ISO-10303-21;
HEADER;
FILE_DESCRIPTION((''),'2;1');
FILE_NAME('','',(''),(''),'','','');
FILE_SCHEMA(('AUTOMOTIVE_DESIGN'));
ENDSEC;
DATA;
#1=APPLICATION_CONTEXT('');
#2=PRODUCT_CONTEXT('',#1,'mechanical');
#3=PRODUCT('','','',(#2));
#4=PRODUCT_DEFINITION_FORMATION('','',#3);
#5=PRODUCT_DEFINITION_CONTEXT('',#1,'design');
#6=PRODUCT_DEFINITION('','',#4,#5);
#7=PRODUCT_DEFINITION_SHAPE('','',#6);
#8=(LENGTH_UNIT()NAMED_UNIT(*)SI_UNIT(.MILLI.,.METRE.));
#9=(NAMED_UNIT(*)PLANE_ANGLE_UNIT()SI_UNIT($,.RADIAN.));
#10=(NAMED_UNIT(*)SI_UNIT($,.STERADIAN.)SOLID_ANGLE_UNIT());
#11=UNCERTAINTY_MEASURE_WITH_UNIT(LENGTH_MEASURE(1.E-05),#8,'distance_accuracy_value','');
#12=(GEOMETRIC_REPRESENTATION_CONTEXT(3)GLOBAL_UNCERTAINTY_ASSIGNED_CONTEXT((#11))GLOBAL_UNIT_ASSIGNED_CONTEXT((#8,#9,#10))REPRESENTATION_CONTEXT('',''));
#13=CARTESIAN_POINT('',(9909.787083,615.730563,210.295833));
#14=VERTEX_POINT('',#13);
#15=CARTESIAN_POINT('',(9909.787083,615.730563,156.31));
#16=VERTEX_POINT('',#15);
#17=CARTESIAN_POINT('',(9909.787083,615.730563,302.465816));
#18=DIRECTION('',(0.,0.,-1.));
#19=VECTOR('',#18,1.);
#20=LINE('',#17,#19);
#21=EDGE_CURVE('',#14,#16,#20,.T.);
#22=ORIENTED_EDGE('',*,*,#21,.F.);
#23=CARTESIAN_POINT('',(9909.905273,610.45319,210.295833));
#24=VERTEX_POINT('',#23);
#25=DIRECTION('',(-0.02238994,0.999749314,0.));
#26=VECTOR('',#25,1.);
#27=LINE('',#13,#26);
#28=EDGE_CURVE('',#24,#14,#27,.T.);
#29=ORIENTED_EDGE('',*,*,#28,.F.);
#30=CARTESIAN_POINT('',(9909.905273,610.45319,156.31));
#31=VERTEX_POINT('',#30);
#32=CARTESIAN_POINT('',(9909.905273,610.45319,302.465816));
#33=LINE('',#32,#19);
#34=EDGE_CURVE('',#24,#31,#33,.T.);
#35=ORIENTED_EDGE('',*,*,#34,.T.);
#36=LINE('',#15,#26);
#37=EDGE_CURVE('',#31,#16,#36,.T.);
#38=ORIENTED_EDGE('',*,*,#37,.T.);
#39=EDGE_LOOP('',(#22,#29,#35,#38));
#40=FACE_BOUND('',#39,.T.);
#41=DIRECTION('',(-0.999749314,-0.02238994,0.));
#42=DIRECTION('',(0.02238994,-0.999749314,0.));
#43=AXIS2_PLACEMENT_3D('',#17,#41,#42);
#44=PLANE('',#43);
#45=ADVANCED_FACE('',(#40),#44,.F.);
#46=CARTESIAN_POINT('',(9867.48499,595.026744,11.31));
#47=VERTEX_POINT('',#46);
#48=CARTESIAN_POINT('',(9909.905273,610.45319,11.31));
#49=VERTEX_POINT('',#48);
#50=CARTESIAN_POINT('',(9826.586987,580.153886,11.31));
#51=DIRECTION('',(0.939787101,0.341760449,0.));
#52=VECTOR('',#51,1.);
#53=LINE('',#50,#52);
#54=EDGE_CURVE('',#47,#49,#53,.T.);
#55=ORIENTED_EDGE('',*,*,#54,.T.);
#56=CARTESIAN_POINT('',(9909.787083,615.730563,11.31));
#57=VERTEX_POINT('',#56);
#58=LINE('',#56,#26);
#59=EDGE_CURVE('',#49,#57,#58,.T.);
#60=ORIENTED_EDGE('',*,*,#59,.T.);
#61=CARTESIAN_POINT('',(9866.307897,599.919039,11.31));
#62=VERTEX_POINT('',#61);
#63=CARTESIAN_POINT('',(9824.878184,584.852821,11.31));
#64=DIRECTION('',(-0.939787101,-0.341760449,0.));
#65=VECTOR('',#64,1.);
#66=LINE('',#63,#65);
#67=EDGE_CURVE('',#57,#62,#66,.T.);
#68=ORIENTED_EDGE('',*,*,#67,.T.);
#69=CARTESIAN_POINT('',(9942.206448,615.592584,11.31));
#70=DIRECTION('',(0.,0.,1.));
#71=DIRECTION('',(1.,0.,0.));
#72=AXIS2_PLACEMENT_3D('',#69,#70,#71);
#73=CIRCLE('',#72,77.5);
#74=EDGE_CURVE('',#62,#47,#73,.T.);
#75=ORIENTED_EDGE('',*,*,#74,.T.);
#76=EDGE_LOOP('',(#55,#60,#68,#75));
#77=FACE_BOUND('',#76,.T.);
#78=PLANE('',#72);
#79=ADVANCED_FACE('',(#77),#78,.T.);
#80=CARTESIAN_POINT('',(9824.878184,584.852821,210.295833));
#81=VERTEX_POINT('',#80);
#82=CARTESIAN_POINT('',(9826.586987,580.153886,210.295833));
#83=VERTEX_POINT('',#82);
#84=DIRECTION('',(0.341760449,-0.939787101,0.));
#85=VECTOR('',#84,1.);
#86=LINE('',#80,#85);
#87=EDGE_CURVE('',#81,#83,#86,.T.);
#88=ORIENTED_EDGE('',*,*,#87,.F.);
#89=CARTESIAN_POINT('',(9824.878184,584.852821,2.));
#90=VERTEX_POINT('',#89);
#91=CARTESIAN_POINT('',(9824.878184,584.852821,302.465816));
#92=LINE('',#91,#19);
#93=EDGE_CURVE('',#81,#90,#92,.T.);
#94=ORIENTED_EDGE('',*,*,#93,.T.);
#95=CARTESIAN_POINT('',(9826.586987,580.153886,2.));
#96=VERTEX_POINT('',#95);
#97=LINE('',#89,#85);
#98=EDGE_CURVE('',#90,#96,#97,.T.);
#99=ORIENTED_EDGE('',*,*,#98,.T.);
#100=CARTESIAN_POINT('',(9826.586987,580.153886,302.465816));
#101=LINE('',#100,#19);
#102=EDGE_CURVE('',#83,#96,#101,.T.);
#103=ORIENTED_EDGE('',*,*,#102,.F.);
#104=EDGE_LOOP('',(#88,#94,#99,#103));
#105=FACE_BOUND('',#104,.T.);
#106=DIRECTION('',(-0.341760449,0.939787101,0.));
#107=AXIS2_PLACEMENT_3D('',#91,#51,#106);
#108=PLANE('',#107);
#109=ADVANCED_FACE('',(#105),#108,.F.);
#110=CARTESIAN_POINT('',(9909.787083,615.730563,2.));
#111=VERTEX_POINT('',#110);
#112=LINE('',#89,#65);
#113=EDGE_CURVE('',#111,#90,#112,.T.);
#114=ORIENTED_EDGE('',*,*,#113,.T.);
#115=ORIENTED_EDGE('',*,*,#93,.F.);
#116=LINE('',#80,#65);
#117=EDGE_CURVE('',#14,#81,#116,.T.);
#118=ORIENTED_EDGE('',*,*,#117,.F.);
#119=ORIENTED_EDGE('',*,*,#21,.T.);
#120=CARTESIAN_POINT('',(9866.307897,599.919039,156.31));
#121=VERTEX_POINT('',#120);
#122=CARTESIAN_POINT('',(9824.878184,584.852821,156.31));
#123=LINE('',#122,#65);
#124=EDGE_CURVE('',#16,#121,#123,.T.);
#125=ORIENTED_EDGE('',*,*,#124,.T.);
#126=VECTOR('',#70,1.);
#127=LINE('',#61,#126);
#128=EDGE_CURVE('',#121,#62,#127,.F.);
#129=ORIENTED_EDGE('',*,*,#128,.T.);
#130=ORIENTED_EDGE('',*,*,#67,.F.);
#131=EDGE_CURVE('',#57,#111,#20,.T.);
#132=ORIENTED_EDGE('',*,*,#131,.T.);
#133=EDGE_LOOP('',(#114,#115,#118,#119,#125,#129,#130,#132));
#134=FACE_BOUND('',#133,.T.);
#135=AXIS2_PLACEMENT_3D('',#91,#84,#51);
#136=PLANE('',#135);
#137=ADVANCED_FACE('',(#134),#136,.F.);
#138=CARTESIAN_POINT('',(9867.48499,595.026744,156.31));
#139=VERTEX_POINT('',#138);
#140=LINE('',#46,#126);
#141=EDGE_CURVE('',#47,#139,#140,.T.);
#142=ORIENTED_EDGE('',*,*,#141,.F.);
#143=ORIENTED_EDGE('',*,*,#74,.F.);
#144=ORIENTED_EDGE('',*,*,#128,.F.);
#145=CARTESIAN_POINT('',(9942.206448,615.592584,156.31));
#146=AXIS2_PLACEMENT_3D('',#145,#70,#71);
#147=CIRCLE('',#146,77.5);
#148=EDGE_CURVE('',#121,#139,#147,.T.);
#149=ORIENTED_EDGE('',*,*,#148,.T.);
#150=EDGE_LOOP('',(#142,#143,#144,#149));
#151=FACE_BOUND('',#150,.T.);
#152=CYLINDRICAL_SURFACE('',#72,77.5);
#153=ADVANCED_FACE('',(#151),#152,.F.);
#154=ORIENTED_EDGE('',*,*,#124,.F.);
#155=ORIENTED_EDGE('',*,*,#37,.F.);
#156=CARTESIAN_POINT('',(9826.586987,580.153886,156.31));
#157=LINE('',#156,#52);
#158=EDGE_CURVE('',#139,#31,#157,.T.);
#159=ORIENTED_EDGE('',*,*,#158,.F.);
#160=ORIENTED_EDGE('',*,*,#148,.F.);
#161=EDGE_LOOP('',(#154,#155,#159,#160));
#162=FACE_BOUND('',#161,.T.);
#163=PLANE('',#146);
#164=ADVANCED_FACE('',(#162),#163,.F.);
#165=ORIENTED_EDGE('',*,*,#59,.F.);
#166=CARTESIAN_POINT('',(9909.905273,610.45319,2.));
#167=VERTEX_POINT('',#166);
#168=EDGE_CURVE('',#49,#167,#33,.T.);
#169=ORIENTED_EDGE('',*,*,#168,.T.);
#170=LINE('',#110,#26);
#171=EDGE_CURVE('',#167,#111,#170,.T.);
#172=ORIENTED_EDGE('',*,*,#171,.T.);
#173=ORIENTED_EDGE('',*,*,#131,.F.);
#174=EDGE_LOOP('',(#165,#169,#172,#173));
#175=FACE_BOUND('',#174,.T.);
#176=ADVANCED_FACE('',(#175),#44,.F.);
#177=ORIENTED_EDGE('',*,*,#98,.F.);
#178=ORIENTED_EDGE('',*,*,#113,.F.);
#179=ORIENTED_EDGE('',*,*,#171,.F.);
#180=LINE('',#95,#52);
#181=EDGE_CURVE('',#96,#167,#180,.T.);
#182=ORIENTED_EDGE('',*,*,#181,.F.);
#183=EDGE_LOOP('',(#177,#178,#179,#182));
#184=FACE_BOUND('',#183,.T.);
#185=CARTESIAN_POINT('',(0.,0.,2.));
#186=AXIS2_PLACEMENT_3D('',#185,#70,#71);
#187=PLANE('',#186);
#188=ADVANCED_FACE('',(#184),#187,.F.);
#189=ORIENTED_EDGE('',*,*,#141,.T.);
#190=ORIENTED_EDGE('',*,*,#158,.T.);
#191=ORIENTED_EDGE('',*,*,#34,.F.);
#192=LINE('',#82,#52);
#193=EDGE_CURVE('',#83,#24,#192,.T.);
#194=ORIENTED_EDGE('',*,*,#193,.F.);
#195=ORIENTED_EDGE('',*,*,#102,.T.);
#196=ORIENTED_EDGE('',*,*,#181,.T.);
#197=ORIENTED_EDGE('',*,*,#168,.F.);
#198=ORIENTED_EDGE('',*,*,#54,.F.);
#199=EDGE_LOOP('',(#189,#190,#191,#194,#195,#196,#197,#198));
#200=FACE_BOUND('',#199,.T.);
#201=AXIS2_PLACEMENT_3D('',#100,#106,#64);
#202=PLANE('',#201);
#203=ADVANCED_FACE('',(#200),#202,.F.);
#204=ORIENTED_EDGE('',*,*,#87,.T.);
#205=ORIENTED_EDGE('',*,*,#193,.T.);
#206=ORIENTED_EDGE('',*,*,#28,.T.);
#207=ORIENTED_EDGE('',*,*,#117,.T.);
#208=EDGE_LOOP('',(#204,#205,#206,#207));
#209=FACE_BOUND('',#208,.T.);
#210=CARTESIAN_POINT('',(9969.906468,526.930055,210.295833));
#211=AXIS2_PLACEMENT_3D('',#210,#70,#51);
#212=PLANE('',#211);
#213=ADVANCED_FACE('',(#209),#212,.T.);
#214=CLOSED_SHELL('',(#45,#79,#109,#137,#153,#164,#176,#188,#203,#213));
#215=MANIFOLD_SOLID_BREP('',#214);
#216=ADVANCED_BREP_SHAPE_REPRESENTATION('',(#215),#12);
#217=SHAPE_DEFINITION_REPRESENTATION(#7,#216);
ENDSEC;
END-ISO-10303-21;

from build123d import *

# Parameters (mm, degrees)
BOSS_EXTRUDE1_DEPTH = 208.295833
SKETCH3_R           = 77.5
CUT_EXTRUDE1_DEPTH  = 145


with BuildPart() as part:
    # Sketch2 → Boss-Extrude1 (new body)
    with BuildSketch(Plane.XY.offset(2)):
        Polygon((9824.878184452, 584.852821259), (9909.787083093, 615.730562922), (9909.905272796, 610.453189538), (9826.586986697, 580.153885753), align=None)
    extrude(amount=BOSS_EXTRUDE1_DEPTH)

    # Sketch3 → Cut-Extrude1 (cut)
    with BuildSketch(Plane.XY.offset(156.31)):
        with Locations((9942.206448064, 615.592583884)):
            Circle(SKETCH3_R)
    extrude(amount=-CUT_EXTRUDE1_DEPTH, mode=Mode.SUBTRACT)


solid = part.part
